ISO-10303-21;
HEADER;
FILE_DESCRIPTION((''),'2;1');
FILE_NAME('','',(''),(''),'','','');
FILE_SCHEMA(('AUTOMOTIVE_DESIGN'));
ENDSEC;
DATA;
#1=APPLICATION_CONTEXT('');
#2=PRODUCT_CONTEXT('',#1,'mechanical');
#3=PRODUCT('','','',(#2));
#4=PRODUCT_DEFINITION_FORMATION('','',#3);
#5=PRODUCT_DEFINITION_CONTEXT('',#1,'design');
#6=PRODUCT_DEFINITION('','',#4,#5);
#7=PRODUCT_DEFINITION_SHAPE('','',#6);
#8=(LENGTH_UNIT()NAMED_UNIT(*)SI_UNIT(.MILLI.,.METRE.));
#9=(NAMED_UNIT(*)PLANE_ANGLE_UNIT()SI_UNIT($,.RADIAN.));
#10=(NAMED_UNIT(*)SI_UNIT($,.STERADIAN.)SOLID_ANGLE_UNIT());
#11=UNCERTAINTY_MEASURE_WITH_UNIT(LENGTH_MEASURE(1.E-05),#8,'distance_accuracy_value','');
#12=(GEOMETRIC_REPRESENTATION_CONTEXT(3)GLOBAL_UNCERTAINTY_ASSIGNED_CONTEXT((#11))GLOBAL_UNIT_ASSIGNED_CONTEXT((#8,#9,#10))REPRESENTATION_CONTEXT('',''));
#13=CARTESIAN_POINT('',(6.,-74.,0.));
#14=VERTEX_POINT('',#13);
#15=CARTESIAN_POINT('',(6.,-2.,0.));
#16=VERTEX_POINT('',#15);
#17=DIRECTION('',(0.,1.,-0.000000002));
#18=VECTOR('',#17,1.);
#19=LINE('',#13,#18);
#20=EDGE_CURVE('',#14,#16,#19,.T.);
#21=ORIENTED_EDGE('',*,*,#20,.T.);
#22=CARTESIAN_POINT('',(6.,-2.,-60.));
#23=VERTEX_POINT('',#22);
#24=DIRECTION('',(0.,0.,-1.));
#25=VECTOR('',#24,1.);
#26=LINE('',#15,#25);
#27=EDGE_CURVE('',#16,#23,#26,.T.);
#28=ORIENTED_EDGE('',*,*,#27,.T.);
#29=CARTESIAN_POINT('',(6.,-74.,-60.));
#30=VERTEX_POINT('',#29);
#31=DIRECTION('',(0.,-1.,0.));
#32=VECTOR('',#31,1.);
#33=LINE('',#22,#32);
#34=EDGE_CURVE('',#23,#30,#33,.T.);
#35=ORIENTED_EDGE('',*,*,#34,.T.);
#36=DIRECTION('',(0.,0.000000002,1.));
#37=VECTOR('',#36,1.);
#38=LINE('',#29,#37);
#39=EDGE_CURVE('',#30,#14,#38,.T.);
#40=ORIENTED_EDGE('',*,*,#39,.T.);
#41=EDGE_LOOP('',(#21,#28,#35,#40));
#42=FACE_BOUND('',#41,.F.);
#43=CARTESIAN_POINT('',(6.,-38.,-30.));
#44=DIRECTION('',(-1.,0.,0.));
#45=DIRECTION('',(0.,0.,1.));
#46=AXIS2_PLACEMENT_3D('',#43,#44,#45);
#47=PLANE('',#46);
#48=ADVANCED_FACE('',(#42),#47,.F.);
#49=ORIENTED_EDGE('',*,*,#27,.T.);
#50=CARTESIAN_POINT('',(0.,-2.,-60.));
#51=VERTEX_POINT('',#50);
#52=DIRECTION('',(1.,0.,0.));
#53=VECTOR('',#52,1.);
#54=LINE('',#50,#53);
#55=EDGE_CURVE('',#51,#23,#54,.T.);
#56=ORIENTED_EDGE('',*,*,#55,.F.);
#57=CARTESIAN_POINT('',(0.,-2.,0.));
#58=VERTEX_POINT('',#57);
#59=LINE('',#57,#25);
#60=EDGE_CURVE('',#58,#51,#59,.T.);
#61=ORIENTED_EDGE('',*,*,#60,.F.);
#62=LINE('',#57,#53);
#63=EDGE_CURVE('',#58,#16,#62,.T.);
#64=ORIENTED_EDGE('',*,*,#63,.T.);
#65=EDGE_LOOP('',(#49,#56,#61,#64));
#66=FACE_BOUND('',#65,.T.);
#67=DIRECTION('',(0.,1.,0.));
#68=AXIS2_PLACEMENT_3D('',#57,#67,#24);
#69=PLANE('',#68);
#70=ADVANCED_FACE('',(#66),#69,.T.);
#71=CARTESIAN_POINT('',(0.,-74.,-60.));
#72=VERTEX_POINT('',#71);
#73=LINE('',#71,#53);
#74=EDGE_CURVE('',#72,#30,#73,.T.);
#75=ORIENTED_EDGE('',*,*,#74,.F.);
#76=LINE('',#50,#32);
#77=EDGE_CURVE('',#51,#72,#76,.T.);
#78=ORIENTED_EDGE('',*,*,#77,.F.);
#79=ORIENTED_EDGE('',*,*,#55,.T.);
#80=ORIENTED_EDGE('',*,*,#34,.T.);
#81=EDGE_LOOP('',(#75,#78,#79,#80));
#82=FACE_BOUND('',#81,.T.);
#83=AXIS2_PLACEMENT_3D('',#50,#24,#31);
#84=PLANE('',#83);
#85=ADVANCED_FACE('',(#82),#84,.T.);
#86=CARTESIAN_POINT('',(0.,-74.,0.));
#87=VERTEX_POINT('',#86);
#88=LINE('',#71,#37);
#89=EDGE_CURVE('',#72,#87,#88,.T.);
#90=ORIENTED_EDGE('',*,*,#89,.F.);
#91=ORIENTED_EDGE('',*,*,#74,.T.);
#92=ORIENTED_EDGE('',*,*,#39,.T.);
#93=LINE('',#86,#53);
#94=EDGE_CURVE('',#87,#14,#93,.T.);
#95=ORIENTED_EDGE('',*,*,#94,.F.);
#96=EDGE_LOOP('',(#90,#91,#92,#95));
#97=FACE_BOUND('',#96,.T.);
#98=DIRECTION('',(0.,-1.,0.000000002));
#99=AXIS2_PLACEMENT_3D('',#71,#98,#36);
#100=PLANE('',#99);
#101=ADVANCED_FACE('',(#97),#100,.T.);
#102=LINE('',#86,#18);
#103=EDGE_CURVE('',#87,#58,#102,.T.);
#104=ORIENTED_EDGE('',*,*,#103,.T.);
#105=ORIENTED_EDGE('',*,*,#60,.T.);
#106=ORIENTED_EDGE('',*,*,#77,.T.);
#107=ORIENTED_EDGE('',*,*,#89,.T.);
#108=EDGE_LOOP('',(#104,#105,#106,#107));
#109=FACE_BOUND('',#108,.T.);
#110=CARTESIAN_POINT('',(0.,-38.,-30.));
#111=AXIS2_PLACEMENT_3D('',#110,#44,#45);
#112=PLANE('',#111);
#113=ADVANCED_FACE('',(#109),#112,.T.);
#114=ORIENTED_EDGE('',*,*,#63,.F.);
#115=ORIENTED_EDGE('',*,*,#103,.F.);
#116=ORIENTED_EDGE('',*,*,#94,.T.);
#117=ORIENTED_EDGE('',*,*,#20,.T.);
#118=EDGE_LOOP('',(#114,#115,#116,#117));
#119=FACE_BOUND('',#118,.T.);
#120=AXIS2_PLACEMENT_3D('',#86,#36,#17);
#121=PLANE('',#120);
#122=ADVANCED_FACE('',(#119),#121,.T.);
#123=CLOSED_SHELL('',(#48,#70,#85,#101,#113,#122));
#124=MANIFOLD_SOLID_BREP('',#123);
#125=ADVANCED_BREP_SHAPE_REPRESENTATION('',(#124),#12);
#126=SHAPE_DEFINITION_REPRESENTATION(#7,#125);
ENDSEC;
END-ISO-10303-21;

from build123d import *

# Parameters (mm, degrees)
EXTRUDE_1_DEPTH = 6


with BuildPart() as part:
    # Эскиз1 → Вытянуть1 (new body)
    with BuildSketch(Plane(origin=(0, 0, 0), x_dir=(0, 0, -1), z_dir=(1, 0, 0))):
        Polygon((-3e-09, -2), (59.999999874, -2), (59.999999875, -74.000000103), (-1.25e-07, -74), align=None)
    extrude(amount=EXTRUDE_1_DEPTH)


solid = part.part
